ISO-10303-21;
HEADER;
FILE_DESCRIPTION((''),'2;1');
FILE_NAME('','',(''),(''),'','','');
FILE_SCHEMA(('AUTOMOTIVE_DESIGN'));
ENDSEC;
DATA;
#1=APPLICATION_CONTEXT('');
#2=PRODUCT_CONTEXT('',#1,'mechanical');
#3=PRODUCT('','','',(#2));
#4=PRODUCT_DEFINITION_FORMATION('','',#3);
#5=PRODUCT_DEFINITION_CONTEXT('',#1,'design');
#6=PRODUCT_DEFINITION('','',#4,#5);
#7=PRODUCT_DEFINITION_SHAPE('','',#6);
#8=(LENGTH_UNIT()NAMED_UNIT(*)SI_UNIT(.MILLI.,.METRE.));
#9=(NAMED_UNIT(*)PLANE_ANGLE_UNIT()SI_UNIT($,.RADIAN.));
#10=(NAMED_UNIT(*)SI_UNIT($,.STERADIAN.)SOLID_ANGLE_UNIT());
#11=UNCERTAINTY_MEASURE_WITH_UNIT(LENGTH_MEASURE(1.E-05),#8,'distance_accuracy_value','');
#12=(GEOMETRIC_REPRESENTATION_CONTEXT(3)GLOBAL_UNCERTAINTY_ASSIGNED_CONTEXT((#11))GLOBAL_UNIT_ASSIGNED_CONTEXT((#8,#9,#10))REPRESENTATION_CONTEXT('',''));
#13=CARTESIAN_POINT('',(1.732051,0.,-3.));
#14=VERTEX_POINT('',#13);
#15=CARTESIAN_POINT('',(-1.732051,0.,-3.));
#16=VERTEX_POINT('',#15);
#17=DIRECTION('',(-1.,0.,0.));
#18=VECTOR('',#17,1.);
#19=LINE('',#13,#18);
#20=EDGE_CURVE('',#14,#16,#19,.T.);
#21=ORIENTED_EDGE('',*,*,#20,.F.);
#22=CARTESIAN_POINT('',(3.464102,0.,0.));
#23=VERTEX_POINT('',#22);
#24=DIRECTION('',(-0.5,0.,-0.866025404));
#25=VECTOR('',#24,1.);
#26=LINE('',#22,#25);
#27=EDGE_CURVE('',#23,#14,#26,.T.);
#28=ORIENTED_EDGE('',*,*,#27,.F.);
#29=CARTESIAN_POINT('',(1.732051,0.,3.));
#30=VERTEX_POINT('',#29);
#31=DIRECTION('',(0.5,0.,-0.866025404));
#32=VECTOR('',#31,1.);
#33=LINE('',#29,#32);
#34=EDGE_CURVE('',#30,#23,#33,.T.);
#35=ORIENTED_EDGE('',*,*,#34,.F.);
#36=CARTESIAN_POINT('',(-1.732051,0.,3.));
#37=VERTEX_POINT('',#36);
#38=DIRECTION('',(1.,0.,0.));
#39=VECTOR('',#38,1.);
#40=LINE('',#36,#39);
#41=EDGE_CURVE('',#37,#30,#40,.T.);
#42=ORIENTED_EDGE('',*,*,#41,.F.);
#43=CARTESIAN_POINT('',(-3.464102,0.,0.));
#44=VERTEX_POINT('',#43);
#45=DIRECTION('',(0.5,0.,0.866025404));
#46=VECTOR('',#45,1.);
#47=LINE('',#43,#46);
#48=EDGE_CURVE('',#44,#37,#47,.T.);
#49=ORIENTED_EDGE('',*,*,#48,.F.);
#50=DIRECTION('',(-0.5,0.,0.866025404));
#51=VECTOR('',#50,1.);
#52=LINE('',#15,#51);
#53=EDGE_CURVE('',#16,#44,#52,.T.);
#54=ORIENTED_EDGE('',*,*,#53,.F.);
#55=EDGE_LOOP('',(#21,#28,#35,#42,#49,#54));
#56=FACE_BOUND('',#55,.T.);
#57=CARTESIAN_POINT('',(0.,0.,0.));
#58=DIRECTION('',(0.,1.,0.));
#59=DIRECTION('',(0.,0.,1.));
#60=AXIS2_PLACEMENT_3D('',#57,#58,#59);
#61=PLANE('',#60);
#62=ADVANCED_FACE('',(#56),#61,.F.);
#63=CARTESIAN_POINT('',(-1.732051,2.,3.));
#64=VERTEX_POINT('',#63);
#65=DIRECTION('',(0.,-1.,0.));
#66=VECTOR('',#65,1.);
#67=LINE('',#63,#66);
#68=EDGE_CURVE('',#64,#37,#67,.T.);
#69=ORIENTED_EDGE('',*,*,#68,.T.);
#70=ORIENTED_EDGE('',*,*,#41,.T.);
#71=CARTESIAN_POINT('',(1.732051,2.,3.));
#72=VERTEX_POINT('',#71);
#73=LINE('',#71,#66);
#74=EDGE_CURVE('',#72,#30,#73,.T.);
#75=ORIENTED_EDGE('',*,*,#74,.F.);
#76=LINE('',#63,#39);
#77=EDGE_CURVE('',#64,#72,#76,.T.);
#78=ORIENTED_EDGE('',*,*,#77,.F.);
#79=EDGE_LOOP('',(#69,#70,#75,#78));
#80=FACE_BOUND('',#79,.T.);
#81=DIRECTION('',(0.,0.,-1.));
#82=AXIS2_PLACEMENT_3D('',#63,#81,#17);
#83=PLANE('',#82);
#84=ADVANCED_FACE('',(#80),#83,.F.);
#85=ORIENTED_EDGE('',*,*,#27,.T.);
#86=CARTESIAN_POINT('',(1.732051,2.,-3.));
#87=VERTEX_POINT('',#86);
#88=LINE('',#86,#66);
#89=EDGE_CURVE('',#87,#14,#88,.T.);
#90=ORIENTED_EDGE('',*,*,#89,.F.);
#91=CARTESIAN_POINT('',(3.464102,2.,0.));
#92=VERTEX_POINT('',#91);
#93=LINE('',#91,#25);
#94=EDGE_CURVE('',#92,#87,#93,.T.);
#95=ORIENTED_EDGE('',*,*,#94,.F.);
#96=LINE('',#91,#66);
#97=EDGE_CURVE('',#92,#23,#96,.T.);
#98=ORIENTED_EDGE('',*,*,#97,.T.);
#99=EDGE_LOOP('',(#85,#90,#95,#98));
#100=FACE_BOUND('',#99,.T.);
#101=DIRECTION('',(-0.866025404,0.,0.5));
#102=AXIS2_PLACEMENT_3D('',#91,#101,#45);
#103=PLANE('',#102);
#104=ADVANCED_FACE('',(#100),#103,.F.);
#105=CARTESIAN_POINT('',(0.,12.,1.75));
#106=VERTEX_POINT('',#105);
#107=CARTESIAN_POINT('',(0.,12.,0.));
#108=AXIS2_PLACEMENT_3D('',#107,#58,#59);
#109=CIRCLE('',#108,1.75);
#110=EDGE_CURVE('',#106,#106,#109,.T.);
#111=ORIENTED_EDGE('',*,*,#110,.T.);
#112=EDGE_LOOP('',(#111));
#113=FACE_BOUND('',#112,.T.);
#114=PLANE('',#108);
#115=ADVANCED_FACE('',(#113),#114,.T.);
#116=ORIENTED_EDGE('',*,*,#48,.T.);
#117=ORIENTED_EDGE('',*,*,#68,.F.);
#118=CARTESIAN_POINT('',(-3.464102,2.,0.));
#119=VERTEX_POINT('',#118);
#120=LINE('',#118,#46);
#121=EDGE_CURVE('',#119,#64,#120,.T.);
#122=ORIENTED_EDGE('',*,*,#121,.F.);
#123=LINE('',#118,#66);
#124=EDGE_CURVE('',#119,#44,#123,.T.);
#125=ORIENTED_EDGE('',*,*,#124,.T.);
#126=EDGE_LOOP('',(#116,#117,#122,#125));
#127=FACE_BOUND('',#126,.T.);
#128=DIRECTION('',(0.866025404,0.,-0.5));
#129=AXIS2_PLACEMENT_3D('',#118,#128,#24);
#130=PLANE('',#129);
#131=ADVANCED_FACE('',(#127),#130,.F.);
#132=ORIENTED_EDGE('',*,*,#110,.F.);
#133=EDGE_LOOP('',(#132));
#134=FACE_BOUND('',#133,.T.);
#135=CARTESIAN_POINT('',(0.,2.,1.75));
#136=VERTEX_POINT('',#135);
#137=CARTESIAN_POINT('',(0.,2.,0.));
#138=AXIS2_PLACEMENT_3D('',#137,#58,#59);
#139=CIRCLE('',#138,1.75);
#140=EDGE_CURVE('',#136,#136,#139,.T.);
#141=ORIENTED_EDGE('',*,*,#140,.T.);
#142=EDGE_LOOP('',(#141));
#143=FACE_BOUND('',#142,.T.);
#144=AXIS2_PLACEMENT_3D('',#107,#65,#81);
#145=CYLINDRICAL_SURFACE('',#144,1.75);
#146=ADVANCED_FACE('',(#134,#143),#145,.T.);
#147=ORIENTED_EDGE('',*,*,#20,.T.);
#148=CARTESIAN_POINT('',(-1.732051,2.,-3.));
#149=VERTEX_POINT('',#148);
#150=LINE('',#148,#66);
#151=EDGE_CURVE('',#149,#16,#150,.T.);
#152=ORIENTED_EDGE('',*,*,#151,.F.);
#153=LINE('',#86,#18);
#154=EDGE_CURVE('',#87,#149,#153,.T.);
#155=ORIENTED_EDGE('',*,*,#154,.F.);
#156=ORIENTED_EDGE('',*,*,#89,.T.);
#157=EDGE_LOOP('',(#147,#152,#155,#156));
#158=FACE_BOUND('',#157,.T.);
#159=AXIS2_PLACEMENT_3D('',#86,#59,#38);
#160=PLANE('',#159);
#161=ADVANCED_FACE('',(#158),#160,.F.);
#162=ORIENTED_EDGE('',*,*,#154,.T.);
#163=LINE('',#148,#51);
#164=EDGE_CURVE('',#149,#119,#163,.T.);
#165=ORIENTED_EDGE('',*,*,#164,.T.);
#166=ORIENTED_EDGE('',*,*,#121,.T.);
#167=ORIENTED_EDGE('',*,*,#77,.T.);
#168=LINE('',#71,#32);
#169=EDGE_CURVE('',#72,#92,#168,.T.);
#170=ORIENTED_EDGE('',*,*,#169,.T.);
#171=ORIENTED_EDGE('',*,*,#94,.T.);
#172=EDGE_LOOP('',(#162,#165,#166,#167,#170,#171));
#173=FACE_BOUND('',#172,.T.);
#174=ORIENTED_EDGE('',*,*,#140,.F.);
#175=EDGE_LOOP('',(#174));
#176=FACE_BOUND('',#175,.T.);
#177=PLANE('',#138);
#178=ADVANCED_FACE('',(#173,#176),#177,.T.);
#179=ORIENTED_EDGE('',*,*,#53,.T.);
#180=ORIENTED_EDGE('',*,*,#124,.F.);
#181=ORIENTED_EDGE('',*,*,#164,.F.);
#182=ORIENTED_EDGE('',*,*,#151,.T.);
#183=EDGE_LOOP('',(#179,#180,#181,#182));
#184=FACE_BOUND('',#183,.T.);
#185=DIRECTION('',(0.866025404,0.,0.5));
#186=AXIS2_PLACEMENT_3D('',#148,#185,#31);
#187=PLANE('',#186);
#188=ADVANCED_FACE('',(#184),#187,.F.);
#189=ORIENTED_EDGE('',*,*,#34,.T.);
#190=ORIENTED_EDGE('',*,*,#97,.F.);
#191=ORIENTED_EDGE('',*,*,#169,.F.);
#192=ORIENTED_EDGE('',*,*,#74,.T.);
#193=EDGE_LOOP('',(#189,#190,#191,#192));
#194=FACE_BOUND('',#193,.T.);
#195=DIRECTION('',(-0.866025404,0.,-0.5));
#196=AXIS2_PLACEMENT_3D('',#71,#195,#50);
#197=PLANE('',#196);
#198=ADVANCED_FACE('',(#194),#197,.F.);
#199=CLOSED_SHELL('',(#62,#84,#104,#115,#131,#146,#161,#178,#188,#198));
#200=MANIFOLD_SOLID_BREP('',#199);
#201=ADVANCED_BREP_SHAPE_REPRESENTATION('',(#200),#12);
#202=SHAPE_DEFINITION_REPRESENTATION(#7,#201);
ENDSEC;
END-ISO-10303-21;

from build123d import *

# Parameters (mm, degrees)
BOSS_EXTRUDE1_DEPTH = 2
SKETCH2_R           = 1.75
BOSS_EXTRUDE2_DEPTH = 10


with BuildPart() as part:
    # Sketch1 → Boss-Extrude1 (new body)
    with BuildSketch(Plane(origin=(0, 0, 0), x_dir=(1, 0, 0), z_dir=(0, 1, 0))):
        Polygon((1.732050808, 3), (-1.732050808, 3), (-3.464101615, 0), (-1.732050808, -3), (1.732050808, -3), (3.464101615, 0), align=None)
    extrude(amount=BOSS_EXTRUDE1_DEPTH)

    # Sketch2 → Boss-Extrude2 (add)
    with BuildSketch(Plane(origin=(0, 2, 0), x_dir=(1, 0, 0), z_dir=(0, 1, 0))):
        Circle(SKETCH2_R)
    extrude(amount=BOSS_EXTRUDE2_DEPTH)


solid = part.part
